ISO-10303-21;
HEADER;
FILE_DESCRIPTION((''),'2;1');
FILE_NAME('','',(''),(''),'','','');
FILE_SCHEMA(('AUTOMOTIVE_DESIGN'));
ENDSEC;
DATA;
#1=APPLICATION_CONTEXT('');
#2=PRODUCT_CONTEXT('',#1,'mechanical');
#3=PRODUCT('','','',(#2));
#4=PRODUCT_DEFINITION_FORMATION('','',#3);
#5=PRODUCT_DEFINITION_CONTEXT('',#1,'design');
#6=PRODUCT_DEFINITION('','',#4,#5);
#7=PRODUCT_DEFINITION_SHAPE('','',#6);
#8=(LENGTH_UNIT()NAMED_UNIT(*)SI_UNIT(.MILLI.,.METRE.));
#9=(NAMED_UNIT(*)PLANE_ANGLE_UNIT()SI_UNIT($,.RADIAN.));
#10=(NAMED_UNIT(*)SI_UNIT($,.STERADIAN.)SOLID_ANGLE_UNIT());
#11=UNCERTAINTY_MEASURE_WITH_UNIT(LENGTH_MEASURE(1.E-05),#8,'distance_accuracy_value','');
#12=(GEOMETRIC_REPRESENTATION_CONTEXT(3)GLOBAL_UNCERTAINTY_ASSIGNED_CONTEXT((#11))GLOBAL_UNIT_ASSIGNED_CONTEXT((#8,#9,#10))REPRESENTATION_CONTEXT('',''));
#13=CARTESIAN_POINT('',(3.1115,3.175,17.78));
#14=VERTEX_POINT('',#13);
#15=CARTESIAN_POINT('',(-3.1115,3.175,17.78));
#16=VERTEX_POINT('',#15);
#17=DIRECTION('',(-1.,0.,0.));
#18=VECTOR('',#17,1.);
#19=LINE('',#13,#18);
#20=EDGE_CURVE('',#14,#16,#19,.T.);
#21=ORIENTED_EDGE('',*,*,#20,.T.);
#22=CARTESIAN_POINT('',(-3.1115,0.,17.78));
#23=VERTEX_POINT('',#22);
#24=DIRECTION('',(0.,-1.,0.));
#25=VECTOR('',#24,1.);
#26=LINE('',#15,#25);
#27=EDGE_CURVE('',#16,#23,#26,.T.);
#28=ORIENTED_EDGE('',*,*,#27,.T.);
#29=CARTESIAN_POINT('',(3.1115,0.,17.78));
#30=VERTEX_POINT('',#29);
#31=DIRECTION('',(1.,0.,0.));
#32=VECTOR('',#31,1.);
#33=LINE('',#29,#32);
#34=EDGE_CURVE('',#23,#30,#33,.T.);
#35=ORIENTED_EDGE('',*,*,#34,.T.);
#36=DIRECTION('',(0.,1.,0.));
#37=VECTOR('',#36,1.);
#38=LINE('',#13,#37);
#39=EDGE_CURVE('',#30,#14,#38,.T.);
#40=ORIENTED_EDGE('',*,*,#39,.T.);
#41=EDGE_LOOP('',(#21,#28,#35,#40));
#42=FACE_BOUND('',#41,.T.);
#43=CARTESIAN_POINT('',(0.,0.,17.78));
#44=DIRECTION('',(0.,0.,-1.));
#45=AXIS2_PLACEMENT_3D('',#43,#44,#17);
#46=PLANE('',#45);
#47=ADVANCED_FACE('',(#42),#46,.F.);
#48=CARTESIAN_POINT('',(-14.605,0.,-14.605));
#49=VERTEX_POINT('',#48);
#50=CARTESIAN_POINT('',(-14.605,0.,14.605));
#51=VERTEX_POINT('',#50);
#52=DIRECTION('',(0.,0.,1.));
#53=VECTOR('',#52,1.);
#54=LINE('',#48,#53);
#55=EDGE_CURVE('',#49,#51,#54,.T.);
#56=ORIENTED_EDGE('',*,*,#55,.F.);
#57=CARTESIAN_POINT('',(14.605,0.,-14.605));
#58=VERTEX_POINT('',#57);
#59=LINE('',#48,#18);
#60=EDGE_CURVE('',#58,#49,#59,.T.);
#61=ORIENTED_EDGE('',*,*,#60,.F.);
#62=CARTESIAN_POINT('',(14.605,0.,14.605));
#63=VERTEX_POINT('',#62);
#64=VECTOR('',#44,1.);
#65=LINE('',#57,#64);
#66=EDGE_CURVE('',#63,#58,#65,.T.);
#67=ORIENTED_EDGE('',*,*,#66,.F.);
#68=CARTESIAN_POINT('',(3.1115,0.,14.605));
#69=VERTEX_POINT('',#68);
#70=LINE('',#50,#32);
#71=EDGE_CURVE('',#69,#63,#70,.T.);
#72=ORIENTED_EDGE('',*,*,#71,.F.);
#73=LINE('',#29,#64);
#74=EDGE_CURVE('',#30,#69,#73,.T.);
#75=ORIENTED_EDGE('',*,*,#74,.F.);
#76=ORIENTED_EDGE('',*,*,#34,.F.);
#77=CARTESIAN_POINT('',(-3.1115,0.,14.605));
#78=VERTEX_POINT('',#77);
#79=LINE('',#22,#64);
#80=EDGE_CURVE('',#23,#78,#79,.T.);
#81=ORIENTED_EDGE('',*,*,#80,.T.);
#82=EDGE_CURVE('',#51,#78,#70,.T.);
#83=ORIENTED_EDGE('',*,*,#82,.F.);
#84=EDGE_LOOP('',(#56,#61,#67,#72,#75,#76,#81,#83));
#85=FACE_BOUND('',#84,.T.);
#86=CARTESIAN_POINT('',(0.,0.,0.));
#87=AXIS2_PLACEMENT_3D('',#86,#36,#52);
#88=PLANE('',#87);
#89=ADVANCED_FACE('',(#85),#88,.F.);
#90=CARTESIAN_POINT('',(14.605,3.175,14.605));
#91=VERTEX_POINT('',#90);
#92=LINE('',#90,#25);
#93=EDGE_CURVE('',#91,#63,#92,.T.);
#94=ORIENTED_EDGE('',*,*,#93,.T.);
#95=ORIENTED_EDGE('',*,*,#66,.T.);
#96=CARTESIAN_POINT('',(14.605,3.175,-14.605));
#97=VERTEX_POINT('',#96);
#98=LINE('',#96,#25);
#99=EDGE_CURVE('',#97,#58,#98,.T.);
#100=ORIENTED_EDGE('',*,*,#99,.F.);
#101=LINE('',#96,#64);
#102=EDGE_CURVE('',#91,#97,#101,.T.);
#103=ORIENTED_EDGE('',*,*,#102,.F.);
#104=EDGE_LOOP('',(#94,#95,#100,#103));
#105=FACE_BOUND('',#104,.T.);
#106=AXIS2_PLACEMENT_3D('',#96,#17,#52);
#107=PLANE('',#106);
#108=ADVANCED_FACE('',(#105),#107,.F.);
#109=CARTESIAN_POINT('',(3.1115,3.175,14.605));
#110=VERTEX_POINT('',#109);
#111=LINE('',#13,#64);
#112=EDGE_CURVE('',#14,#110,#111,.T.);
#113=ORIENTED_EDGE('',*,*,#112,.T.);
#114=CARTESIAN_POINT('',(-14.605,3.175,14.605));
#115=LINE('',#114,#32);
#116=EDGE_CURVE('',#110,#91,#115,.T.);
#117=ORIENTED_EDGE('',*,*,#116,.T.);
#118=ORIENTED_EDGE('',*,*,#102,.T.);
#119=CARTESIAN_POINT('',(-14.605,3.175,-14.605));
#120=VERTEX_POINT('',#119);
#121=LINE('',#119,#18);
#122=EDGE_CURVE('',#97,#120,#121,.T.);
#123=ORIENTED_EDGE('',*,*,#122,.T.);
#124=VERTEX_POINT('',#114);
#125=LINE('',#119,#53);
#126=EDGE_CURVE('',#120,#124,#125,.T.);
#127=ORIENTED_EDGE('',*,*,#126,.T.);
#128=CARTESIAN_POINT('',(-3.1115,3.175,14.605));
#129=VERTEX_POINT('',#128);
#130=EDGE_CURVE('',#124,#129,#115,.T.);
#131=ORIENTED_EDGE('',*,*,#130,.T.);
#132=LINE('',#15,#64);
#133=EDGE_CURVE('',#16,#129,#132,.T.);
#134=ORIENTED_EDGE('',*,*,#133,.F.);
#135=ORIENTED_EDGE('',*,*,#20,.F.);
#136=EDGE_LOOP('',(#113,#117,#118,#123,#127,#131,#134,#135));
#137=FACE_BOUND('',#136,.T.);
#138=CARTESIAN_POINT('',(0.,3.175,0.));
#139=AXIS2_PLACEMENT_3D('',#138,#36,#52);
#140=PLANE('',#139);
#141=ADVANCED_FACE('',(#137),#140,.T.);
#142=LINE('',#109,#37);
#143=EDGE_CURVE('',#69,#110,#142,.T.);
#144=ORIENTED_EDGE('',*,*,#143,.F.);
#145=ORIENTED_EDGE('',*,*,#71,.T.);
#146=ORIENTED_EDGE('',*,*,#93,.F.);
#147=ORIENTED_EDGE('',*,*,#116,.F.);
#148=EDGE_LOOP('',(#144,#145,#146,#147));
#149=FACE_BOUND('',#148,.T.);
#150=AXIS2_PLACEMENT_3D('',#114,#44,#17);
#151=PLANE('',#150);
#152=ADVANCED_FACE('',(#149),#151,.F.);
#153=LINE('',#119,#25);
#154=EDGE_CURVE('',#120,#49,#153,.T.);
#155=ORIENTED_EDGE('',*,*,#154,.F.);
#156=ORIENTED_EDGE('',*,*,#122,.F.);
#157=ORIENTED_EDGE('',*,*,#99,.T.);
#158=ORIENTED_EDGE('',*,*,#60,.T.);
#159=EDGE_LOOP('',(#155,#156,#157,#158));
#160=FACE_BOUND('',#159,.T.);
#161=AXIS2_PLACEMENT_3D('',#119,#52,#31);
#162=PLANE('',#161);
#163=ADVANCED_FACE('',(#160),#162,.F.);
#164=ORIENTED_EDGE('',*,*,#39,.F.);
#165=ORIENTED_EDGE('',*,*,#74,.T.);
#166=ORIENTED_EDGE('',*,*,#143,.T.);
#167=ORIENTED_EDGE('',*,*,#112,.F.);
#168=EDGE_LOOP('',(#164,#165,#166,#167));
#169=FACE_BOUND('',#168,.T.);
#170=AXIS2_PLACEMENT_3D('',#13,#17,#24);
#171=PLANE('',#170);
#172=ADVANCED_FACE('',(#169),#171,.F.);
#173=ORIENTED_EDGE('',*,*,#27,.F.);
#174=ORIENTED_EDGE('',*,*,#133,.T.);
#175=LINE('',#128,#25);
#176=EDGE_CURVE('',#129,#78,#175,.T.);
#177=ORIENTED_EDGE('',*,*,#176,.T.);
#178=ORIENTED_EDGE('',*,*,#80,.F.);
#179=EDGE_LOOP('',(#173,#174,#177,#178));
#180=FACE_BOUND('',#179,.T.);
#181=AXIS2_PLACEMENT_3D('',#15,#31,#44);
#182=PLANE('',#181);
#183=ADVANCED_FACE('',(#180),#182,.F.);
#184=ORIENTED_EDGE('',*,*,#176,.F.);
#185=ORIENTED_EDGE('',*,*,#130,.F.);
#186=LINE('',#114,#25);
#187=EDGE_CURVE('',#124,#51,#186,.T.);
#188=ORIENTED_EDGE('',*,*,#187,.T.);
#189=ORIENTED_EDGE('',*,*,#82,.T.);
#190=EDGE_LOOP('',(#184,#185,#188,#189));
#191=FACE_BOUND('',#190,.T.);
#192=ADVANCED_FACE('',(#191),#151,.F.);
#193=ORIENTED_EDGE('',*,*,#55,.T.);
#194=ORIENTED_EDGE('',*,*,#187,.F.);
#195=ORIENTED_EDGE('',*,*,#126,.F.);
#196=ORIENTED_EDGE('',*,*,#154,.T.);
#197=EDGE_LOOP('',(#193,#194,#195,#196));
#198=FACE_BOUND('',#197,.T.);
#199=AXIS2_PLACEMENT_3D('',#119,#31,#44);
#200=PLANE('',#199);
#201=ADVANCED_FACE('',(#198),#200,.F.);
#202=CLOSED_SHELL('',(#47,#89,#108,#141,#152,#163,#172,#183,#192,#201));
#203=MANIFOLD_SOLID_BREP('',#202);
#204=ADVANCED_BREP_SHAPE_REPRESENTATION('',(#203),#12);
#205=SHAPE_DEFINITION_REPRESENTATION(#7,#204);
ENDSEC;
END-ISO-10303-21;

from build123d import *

# Parameters (mm, degrees)
SKETCH1_W           = 29.21
SKETCH1_H           = 29.21
BOSS_EXTRUDE1_DEPTH = 3.175
SKETCH2_W           = 6.223
SKETCH2_H           = 3.175
BOSS_EXTRUDE2_DEPTH = 3.175


with BuildPart() as part:
    # Sketch1 → Boss-Extrude1 (new body)
    with BuildSketch(Plane(origin=(0, 0, 0), x_dir=(1, 0, 0), z_dir=(0, 1, 0))):
        Rectangle(SKETCH1_W, SKETCH1_H)
    extrude(amount=BOSS_EXTRUDE1_DEPTH)

    # Sketch2 → Boss-Extrude2 (add)
    with BuildSketch(Plane.XY.offset(14.605)):
        with Locations((0, 1.5875)):
            Rectangle(SKETCH2_W, SKETCH2_H)
    extrude(amount=BOSS_EXTRUDE2_DEPTH)


solid = part.part
